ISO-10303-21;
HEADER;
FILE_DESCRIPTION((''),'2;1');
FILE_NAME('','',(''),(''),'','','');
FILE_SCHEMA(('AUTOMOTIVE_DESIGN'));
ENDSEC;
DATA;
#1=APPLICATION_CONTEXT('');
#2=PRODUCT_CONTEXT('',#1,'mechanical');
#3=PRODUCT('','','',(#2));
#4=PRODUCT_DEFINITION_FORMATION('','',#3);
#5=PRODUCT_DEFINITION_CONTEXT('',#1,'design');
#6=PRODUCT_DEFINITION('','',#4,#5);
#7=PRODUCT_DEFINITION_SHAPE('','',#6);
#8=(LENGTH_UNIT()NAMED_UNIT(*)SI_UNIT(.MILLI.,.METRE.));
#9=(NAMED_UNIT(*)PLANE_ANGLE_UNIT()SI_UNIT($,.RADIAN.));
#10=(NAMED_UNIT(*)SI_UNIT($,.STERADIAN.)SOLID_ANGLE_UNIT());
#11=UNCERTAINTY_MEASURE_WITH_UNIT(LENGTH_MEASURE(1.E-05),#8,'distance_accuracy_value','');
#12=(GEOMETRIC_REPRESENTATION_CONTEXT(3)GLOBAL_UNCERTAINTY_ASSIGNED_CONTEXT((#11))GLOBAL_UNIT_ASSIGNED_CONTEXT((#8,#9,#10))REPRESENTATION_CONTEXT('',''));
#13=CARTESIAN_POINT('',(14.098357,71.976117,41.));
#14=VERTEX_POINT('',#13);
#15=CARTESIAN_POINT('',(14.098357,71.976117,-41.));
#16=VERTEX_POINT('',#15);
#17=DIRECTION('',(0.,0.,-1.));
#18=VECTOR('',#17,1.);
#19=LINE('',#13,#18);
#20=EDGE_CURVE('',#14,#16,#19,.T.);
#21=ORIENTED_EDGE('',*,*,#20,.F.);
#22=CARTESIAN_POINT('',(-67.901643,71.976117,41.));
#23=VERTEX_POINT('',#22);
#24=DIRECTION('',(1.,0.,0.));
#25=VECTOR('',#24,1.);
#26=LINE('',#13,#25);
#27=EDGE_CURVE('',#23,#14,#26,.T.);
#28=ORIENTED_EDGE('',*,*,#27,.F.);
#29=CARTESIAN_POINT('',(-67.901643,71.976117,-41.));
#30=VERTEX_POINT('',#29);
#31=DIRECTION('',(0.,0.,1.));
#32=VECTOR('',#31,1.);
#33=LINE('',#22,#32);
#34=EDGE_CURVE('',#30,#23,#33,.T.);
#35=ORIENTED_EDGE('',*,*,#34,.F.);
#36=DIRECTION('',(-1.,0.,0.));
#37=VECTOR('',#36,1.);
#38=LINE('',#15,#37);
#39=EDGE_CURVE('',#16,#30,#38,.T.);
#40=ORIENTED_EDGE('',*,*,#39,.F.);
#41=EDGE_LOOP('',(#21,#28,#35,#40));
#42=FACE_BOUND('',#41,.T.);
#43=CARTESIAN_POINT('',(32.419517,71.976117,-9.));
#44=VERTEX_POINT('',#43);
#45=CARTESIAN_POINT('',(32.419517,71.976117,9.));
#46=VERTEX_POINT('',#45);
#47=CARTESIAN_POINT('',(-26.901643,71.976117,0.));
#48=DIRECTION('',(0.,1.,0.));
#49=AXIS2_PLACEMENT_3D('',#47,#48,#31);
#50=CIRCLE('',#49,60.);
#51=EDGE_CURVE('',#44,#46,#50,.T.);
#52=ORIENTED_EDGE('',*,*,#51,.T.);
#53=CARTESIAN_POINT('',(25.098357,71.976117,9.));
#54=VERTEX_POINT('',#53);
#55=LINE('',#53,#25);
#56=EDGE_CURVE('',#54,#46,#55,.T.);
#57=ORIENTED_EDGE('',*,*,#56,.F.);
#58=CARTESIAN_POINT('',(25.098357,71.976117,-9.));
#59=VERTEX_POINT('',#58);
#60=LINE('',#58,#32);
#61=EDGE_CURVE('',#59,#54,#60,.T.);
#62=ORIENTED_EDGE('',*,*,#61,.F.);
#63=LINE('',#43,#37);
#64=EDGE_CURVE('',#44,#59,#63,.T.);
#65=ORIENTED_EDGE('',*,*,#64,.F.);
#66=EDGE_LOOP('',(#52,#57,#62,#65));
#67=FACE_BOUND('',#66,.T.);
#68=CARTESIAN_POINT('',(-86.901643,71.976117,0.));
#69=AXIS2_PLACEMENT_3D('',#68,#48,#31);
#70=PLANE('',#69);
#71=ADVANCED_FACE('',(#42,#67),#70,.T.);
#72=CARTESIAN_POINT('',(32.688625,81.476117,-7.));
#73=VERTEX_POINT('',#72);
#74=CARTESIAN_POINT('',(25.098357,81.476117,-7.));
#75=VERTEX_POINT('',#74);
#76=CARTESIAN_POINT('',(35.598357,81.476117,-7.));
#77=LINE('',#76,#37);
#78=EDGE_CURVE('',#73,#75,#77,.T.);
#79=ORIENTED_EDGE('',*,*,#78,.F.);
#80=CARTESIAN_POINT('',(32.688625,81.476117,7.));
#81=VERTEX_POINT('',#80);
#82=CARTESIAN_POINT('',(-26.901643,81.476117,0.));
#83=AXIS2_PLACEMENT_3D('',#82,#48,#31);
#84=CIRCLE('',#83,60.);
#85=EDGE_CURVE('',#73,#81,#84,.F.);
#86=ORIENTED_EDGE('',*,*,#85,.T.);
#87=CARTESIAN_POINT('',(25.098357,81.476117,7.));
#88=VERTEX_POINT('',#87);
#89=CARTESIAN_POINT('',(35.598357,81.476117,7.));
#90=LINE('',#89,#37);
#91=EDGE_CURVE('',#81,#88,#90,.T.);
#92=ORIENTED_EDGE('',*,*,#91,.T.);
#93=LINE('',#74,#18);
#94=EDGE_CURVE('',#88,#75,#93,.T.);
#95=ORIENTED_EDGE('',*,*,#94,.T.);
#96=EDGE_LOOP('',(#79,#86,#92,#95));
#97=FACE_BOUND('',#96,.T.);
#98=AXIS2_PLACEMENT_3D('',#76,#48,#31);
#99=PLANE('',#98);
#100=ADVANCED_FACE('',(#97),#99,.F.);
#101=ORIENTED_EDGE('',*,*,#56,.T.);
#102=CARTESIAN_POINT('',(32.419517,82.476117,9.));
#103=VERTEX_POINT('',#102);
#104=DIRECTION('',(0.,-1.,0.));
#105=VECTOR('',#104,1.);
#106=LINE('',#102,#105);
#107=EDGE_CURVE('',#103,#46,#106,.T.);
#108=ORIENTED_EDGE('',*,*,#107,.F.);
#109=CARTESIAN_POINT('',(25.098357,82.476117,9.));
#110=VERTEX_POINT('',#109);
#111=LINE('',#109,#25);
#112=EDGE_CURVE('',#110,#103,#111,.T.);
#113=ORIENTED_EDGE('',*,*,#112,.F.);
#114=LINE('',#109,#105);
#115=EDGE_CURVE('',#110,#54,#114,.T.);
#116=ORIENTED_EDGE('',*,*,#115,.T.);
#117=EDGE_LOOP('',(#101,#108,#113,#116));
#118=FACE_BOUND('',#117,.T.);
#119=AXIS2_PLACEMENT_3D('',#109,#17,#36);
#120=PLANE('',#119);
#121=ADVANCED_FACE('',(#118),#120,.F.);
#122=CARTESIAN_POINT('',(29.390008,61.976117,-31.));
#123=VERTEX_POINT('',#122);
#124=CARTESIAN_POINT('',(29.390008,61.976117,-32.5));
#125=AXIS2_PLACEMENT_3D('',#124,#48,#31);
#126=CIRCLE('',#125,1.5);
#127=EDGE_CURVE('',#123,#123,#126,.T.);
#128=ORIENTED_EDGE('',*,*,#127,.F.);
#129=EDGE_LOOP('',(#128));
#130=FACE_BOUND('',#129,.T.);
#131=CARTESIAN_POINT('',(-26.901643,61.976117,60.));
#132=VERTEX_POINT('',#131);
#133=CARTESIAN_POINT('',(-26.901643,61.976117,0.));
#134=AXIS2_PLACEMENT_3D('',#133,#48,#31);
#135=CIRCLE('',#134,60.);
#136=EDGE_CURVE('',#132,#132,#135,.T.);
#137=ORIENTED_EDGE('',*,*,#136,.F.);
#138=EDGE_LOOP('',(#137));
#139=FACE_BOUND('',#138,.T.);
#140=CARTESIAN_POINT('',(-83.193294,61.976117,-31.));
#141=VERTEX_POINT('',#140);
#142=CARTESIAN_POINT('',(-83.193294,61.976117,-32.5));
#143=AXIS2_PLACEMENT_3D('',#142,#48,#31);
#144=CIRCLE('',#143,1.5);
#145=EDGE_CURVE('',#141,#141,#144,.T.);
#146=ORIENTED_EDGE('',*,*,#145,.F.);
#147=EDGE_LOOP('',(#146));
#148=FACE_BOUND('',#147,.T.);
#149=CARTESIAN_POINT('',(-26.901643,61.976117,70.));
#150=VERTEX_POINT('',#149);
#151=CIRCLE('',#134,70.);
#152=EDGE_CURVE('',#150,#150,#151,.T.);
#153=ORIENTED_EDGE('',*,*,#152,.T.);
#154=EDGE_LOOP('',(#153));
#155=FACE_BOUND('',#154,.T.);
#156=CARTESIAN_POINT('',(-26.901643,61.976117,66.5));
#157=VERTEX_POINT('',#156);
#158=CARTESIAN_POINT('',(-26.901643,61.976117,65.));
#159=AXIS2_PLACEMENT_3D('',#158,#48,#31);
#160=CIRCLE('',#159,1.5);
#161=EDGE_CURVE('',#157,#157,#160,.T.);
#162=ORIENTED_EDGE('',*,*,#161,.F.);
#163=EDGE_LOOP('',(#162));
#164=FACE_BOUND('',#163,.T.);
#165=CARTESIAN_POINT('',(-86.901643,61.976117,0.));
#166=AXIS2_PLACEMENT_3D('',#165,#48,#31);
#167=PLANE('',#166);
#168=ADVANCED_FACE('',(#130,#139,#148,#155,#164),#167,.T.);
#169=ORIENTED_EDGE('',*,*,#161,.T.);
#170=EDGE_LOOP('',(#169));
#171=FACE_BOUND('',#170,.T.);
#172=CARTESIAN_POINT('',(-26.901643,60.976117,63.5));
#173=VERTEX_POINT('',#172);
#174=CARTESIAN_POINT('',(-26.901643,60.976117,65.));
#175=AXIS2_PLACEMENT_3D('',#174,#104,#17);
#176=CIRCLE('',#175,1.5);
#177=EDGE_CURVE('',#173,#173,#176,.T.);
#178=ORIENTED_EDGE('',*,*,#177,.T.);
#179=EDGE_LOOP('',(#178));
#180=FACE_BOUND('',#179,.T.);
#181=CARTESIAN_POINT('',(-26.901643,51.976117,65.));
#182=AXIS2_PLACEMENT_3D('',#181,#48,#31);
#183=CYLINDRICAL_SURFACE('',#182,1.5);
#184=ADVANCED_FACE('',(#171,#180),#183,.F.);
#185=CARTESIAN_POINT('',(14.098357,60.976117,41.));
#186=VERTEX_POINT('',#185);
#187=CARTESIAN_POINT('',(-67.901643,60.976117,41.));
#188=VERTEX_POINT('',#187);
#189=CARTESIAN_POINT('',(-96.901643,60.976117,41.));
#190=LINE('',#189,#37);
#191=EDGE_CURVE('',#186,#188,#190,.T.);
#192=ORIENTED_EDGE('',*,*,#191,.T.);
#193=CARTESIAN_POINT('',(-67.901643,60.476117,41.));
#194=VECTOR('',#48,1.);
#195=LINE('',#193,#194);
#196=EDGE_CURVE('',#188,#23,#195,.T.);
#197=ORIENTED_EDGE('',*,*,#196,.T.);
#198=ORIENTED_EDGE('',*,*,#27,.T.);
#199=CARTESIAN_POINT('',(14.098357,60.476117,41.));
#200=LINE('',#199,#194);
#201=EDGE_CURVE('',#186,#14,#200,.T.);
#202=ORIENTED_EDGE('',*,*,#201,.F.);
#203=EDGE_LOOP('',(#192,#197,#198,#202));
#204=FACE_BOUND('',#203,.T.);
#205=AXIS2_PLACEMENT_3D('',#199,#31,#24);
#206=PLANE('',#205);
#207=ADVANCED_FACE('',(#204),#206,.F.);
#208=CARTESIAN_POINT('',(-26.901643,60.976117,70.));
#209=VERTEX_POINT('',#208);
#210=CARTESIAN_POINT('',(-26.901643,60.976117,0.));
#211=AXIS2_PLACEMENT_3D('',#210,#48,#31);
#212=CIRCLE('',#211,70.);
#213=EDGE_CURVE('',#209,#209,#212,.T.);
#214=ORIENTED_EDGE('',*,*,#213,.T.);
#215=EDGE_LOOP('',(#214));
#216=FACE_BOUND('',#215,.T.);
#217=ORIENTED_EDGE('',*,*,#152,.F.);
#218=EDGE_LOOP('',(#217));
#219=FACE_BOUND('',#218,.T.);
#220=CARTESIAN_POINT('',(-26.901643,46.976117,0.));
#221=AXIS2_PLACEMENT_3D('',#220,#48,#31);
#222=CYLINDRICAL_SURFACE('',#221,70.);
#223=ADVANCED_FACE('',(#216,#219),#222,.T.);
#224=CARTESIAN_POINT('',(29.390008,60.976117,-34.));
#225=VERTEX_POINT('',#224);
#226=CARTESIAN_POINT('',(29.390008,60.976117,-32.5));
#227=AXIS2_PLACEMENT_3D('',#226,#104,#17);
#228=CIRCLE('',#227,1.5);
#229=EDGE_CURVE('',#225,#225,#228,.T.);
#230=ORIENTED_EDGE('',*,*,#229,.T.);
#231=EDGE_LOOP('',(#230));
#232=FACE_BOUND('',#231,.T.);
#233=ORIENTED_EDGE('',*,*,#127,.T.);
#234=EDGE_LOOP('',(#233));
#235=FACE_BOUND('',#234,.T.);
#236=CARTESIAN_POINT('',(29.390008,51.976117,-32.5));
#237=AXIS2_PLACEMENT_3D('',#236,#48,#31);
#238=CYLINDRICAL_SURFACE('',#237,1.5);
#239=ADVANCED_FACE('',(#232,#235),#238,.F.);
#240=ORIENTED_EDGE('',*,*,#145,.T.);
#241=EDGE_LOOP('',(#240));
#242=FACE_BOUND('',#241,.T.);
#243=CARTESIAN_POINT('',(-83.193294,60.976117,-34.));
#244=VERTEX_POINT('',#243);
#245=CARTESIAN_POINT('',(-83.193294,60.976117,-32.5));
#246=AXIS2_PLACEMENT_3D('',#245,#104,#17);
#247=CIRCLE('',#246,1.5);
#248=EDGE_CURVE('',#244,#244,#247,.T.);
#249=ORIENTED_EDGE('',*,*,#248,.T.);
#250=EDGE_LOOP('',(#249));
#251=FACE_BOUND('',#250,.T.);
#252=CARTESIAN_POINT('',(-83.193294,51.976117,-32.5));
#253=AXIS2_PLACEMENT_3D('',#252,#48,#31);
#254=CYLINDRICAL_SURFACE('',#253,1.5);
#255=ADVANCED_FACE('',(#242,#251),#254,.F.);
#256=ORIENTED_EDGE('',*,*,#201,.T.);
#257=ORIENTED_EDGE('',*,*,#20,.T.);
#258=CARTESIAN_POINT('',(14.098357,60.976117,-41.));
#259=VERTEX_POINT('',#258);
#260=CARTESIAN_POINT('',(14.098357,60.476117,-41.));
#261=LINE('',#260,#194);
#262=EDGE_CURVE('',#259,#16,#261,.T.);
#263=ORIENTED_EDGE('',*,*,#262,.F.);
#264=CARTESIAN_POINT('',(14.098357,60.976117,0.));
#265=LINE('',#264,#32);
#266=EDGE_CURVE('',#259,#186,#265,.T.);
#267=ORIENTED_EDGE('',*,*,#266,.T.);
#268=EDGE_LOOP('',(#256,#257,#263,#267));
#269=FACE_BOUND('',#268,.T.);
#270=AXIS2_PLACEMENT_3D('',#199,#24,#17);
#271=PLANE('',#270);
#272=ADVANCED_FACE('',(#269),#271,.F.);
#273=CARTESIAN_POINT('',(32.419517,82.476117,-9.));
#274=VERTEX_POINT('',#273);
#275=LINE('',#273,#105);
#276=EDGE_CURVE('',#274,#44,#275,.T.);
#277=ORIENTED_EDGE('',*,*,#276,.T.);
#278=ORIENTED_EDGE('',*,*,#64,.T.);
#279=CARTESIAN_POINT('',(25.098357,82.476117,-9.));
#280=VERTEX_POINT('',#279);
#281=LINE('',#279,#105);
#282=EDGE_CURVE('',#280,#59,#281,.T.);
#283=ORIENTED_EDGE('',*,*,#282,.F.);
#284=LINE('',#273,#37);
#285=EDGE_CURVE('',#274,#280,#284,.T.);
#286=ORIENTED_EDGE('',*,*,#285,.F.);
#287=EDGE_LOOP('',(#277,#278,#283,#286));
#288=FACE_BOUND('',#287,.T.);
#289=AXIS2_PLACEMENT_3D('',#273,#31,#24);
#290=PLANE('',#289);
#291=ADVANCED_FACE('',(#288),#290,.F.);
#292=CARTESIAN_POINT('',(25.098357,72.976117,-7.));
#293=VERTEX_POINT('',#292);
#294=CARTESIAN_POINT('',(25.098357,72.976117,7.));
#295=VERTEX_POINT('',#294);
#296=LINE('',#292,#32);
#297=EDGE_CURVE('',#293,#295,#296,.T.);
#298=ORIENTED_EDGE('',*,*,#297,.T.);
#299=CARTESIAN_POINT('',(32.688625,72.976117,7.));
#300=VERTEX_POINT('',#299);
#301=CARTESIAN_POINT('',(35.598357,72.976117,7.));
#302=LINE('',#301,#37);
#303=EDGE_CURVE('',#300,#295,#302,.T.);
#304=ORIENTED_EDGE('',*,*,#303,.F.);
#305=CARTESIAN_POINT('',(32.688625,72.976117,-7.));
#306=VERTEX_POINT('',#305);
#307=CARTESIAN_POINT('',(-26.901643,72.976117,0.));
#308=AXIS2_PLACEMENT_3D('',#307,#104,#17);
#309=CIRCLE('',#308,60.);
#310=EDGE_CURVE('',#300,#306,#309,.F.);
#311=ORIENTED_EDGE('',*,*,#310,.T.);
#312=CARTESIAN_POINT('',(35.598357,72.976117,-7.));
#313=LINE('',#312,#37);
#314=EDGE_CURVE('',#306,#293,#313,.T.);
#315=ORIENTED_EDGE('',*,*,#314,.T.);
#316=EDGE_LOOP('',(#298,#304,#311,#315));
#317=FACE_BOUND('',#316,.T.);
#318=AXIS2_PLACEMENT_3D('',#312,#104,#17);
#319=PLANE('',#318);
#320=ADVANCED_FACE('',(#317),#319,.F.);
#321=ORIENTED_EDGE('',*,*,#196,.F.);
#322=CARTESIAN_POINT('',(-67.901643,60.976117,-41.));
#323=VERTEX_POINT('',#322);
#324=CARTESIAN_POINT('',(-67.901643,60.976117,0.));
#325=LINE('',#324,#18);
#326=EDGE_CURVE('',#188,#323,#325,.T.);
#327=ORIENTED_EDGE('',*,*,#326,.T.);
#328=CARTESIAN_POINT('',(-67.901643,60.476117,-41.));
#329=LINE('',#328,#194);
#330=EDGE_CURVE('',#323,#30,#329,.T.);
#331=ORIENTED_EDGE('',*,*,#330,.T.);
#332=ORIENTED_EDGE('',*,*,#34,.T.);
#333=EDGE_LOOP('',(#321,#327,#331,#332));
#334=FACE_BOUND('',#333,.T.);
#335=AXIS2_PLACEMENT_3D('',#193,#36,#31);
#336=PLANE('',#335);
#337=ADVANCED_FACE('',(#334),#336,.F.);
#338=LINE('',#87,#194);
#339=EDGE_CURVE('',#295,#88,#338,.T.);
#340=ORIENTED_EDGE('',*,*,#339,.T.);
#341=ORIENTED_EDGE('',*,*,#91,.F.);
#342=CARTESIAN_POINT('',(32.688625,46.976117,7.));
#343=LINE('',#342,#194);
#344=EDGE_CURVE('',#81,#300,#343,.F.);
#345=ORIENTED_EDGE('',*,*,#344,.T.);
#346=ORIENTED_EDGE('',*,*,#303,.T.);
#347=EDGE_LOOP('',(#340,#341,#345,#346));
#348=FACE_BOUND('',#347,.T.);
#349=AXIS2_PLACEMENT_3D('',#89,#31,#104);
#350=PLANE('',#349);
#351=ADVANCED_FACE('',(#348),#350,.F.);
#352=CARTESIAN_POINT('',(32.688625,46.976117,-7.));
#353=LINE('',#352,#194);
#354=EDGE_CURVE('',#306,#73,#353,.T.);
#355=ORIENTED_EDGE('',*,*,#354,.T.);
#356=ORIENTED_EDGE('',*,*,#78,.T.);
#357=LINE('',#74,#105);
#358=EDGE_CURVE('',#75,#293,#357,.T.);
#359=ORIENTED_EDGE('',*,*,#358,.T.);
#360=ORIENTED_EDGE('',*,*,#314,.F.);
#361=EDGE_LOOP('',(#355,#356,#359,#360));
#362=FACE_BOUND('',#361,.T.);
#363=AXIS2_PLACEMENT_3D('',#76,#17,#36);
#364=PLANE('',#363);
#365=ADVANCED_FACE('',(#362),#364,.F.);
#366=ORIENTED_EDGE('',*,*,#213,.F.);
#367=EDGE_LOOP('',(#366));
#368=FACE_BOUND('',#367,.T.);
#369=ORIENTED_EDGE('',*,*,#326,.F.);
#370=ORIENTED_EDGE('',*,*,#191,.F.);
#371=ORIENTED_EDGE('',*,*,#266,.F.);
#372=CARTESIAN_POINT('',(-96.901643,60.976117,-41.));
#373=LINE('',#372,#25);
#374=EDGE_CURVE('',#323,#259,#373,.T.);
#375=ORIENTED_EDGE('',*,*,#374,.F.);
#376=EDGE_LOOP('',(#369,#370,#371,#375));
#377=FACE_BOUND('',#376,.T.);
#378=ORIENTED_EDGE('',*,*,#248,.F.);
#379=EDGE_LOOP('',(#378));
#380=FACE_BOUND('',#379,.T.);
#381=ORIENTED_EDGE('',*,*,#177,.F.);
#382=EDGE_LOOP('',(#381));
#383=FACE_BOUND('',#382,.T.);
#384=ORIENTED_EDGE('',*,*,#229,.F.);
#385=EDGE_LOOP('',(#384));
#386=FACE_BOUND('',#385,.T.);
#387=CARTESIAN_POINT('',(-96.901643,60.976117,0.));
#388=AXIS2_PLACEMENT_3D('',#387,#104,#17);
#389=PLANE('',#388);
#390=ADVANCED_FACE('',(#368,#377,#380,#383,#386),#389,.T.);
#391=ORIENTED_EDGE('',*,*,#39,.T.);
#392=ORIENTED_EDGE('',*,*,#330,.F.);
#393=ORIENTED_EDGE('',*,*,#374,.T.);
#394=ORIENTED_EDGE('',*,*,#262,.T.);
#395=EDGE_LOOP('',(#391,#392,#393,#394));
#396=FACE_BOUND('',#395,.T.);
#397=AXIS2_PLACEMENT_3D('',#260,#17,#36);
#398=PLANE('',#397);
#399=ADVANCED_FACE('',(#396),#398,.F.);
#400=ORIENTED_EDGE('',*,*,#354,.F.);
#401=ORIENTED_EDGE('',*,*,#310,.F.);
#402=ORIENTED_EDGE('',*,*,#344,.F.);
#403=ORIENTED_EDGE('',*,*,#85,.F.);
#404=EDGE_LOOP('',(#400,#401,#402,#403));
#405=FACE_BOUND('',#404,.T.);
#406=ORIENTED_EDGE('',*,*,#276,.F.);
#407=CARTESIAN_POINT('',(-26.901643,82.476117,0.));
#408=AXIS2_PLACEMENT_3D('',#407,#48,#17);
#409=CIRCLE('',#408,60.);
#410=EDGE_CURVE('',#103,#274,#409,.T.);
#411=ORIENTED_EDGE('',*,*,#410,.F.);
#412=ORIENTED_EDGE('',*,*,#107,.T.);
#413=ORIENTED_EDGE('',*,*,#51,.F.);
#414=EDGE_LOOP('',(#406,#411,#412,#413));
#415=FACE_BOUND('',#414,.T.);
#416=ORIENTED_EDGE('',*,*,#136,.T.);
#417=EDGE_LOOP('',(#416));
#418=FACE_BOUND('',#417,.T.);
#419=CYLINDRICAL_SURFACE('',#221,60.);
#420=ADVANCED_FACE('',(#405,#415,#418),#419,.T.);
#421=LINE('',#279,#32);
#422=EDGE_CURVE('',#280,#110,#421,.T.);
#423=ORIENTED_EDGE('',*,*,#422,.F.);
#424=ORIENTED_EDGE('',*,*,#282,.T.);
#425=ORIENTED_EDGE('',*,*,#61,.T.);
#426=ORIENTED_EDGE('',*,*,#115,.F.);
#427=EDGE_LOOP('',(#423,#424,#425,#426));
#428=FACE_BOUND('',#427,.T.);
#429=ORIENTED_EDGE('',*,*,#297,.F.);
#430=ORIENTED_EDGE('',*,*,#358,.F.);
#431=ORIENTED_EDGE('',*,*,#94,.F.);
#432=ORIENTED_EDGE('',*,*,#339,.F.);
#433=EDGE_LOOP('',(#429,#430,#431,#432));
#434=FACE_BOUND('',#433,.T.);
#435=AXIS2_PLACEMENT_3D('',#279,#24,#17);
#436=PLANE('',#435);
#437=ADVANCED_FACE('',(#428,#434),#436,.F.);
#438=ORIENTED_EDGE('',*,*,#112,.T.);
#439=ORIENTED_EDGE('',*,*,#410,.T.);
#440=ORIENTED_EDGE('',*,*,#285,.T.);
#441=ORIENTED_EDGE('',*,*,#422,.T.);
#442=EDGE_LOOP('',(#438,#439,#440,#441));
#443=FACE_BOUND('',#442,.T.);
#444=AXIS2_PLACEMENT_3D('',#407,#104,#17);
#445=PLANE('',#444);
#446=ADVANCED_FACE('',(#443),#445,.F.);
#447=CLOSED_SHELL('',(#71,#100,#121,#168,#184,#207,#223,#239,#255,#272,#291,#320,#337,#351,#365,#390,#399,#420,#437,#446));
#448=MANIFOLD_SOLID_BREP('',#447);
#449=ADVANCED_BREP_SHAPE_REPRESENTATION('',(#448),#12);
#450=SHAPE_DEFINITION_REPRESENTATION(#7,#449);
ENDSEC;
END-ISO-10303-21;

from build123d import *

# Parameters (mm, degrees)
CROQUIS2_W              = 82
CROQUIS2_H              = 82
CORTAR_EXTRUIR1_DEPTH   = 11.5
SALIENTE_EXTRUIR1_DEPTH = 10.5
CROQUIS4_W              = 14
CROQUIS4_H              = 8.5
CORTAR_EXTRUIR2_DEPTH   = 10.5
CROQUIS5_R              = 1.5
CORTAR_EXTRUIR3_DEPTH   = 10


with BuildPart() as part:
    # Croquis1 → Revolución1 (revolve)
    with BuildSketch(Plane.XY):
        Polygon((-96.901642817, 61.97611702), (-96.901642817, 60.97611702), (-67.901642817, 60.97611702), (-67.901642817, 61.97611702), (-67.901642817, 71.97611702), (-86.901642817, 71.97611702), (-86.901642817, 61.97611702), align=None)
    revolve(axis=Axis((-26.901642817, 46.97611702, 0), (0, -1, 0)))

    # Croquis2 → Cortar-Extruir1 (cut)
    with BuildSketch(Plane(origin=(0, 71.97611702, 0), x_dir=(1, 0, 0), z_dir=(0, 1, 0))):
        with Locations((-26.901642817, 0)):
            Rectangle(CROQUIS2_W, CROQUIS2_H)
    extrude(amount=-CORTAR_EXTRUIR1_DEPTH, mode=Mode.SUBTRACT)

    # Croquis3 → Saliente-Extruir1 (add)
    with BuildSketch(Plane(origin=(0, 71.97611702, 0), x_dir=(1, 0, 0), z_dir=(0, 1, 0))):
        with BuildLine():
            Line((32.419516983, 9), (25.098357183, 9))
            Line((25.098357183, 9), (25.098357183, -9))
            Line((25.098357183, -9), (32.419516983, -9))
            ThreePointArc((32.419516983, -9), (33.098357183, 0), (32.419516983, 9))
        make_face()
    extrude(amount=SALIENTE_EXTRUIR1_DEPTH)

    # Croquis4 → Cortar-Extruir2 (cut)
    with BuildSketch(Plane.ZY.offset(-25.098357183)):
        with Locations((0, 77.22611702)):
            Rectangle(CROQUIS4_W, CROQUIS4_H)
    extrude(amount=-CORTAR_EXTRUIR2_DEPTH, mode=Mode.SUBTRACT)

    # Croquis5 → Cortar-Extruir3 (cut)
    with BuildSketch(Plane(origin=(0, 61.97611702, 0), x_dir=(1, 0, 0), z_dir=(0, 1, 0))):
        with Locations((-26.901642817, -65)):
            Circle(CROQUIS5_R)
        with Locations((-83.193294063, 32.5)):
            Circle(CROQUIS5_R)
        with Locations((29.390008429, 32.5)):
            Circle(CROQUIS5_R)
    extrude(amount=-CORTAR_EXTRUIR3_DEPTH, mode=Mode.SUBTRACT)


solid = part.part
